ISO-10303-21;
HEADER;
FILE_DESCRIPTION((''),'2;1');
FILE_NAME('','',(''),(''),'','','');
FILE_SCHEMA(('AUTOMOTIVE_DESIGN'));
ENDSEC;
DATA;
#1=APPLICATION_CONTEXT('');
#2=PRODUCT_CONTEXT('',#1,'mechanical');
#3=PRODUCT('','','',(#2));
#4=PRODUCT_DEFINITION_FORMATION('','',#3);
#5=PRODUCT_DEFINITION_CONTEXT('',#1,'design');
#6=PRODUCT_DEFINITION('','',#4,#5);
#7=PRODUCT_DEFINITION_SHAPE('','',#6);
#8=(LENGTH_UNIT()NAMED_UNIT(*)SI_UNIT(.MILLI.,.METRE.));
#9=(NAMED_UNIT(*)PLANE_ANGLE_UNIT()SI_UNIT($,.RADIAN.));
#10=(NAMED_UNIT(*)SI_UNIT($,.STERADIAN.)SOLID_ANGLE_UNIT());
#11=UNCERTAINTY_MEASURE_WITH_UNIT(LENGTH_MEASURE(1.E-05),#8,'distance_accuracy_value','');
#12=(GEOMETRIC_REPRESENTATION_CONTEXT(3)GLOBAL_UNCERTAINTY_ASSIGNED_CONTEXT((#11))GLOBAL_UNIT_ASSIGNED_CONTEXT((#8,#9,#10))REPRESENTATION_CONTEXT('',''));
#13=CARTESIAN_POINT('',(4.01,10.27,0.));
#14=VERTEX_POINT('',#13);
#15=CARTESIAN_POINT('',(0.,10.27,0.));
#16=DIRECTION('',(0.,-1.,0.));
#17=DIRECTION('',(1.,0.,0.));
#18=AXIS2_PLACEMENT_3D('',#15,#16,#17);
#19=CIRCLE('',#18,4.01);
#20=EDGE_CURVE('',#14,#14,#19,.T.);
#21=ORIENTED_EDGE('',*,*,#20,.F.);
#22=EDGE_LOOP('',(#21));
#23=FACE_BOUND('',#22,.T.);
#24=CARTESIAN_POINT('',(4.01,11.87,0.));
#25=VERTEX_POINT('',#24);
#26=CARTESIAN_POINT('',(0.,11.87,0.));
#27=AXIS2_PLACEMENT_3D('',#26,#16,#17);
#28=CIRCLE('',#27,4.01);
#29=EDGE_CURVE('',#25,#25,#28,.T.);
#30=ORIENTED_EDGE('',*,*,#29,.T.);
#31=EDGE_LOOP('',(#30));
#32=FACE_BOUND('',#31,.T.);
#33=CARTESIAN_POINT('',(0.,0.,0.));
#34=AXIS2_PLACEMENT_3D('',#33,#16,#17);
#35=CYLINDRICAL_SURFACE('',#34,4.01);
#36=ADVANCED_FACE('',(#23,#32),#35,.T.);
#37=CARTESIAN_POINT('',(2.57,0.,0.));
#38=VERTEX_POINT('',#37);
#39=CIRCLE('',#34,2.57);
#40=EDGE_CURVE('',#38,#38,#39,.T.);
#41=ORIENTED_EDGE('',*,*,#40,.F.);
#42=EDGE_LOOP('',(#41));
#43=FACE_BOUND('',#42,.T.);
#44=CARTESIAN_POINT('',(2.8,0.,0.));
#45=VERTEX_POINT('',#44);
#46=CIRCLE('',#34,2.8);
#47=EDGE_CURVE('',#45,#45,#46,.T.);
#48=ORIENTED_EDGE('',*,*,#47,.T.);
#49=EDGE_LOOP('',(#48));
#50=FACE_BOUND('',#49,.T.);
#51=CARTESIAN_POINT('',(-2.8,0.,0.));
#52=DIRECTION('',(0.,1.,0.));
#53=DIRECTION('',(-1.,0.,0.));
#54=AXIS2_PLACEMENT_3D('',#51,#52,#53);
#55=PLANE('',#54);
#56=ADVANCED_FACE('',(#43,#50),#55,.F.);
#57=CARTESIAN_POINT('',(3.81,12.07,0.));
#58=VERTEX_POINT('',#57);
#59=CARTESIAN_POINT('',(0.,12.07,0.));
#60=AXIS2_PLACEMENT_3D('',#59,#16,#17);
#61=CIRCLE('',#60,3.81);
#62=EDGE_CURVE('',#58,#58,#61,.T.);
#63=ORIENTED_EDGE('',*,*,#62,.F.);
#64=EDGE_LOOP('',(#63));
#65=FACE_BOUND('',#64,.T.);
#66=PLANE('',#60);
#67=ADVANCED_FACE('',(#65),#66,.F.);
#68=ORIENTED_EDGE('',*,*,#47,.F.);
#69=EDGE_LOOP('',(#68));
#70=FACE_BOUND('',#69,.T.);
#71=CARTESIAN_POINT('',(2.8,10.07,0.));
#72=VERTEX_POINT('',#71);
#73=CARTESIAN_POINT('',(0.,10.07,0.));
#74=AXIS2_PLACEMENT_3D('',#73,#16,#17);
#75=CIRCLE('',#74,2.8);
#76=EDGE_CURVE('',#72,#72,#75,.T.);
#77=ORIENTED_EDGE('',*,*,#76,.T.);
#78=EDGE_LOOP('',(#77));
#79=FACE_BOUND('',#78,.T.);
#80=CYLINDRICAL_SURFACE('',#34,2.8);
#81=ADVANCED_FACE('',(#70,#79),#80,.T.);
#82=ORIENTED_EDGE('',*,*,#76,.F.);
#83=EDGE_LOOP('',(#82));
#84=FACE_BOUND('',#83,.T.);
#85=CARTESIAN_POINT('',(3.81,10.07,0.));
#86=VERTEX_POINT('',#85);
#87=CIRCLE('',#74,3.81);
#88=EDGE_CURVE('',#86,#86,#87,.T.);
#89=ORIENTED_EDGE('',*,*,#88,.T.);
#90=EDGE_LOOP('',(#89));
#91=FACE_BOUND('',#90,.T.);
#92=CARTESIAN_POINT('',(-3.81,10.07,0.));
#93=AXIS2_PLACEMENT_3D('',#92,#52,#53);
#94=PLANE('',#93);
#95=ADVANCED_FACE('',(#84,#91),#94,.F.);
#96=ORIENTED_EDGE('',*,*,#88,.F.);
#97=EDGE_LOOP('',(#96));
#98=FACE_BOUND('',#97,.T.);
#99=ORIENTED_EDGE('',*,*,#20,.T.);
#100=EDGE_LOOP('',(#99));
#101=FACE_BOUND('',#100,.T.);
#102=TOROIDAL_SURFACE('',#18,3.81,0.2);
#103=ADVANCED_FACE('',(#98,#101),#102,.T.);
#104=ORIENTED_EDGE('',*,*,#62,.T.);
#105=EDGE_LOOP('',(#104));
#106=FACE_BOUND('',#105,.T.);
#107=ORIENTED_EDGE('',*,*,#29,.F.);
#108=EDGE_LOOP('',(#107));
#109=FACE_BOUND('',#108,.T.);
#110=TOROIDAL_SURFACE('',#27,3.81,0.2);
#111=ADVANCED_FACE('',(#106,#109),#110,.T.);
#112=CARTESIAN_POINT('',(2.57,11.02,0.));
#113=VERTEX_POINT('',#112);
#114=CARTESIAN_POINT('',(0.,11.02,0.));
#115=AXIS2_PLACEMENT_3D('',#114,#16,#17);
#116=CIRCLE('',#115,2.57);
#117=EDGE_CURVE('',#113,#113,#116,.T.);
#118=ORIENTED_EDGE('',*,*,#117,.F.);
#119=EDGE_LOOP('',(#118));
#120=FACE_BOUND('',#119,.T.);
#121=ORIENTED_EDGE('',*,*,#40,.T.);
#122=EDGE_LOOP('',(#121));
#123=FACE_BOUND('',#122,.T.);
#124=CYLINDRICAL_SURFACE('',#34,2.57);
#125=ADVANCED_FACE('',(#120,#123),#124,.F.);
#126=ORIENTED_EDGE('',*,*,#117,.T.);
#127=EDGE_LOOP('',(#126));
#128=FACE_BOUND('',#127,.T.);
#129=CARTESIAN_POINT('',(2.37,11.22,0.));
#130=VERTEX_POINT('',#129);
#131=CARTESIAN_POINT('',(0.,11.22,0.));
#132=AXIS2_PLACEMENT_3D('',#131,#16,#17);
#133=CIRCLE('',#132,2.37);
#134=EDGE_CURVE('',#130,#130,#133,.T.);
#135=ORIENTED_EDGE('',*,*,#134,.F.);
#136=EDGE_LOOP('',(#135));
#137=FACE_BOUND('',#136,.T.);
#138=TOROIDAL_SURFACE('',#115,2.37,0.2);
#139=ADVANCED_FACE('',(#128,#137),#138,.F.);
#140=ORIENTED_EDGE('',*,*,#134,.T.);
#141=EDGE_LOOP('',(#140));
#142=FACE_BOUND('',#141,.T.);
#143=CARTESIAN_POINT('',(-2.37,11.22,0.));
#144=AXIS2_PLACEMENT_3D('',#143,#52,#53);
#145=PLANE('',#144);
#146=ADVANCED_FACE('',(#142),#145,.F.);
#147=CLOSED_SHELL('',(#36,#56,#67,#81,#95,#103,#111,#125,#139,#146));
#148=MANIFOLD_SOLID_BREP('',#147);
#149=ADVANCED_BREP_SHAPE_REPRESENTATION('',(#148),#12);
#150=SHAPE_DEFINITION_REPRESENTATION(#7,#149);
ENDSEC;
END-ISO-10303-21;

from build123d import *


with BuildPart() as part:
    # Esboço1 → Revolução1 (revolve)
    with BuildSketch(Plane.XY, mode=Mode.PRIVATE) as revolu_o1_sk:
        with BuildLine():
            Line((0, 12.07), (-3.81, 12.07))
            ThreePointArc((-3.81, 12.07), (-3.951421356, 12.011421356), (-4.01, 11.87))
            Line((-4.01, 11.87), (-4.01, 10.27))
            ThreePointArc((-4.01, 10.27), (-3.951421356, 10.128578644), (-3.81, 10.07))
            Line((-3.81, 10.07), (-2.8, 10.07))
            Line((-2.8, 10.07), (-2.8, 0))
            Line((-2.8, 0), (-2.57, 0))
            Line((-2.57, 0), (-2.57, 11.02))
            ThreePointArc((-2.57, 11.02), (-2.511421356, 11.161421356), (-2.37, 11.22))
            Line((-2.37, 11.22), (0, 11.22))
            Line((0, 11.22), (0, 12.07))
        make_face()
    revolve(revolu_o1_sk.sketch.rotate(Axis((0, 0, 0), (0, 1, 0)), 180), axis=Axis((0, 0, 0), (0, 1, 0)))


solid = part.part
